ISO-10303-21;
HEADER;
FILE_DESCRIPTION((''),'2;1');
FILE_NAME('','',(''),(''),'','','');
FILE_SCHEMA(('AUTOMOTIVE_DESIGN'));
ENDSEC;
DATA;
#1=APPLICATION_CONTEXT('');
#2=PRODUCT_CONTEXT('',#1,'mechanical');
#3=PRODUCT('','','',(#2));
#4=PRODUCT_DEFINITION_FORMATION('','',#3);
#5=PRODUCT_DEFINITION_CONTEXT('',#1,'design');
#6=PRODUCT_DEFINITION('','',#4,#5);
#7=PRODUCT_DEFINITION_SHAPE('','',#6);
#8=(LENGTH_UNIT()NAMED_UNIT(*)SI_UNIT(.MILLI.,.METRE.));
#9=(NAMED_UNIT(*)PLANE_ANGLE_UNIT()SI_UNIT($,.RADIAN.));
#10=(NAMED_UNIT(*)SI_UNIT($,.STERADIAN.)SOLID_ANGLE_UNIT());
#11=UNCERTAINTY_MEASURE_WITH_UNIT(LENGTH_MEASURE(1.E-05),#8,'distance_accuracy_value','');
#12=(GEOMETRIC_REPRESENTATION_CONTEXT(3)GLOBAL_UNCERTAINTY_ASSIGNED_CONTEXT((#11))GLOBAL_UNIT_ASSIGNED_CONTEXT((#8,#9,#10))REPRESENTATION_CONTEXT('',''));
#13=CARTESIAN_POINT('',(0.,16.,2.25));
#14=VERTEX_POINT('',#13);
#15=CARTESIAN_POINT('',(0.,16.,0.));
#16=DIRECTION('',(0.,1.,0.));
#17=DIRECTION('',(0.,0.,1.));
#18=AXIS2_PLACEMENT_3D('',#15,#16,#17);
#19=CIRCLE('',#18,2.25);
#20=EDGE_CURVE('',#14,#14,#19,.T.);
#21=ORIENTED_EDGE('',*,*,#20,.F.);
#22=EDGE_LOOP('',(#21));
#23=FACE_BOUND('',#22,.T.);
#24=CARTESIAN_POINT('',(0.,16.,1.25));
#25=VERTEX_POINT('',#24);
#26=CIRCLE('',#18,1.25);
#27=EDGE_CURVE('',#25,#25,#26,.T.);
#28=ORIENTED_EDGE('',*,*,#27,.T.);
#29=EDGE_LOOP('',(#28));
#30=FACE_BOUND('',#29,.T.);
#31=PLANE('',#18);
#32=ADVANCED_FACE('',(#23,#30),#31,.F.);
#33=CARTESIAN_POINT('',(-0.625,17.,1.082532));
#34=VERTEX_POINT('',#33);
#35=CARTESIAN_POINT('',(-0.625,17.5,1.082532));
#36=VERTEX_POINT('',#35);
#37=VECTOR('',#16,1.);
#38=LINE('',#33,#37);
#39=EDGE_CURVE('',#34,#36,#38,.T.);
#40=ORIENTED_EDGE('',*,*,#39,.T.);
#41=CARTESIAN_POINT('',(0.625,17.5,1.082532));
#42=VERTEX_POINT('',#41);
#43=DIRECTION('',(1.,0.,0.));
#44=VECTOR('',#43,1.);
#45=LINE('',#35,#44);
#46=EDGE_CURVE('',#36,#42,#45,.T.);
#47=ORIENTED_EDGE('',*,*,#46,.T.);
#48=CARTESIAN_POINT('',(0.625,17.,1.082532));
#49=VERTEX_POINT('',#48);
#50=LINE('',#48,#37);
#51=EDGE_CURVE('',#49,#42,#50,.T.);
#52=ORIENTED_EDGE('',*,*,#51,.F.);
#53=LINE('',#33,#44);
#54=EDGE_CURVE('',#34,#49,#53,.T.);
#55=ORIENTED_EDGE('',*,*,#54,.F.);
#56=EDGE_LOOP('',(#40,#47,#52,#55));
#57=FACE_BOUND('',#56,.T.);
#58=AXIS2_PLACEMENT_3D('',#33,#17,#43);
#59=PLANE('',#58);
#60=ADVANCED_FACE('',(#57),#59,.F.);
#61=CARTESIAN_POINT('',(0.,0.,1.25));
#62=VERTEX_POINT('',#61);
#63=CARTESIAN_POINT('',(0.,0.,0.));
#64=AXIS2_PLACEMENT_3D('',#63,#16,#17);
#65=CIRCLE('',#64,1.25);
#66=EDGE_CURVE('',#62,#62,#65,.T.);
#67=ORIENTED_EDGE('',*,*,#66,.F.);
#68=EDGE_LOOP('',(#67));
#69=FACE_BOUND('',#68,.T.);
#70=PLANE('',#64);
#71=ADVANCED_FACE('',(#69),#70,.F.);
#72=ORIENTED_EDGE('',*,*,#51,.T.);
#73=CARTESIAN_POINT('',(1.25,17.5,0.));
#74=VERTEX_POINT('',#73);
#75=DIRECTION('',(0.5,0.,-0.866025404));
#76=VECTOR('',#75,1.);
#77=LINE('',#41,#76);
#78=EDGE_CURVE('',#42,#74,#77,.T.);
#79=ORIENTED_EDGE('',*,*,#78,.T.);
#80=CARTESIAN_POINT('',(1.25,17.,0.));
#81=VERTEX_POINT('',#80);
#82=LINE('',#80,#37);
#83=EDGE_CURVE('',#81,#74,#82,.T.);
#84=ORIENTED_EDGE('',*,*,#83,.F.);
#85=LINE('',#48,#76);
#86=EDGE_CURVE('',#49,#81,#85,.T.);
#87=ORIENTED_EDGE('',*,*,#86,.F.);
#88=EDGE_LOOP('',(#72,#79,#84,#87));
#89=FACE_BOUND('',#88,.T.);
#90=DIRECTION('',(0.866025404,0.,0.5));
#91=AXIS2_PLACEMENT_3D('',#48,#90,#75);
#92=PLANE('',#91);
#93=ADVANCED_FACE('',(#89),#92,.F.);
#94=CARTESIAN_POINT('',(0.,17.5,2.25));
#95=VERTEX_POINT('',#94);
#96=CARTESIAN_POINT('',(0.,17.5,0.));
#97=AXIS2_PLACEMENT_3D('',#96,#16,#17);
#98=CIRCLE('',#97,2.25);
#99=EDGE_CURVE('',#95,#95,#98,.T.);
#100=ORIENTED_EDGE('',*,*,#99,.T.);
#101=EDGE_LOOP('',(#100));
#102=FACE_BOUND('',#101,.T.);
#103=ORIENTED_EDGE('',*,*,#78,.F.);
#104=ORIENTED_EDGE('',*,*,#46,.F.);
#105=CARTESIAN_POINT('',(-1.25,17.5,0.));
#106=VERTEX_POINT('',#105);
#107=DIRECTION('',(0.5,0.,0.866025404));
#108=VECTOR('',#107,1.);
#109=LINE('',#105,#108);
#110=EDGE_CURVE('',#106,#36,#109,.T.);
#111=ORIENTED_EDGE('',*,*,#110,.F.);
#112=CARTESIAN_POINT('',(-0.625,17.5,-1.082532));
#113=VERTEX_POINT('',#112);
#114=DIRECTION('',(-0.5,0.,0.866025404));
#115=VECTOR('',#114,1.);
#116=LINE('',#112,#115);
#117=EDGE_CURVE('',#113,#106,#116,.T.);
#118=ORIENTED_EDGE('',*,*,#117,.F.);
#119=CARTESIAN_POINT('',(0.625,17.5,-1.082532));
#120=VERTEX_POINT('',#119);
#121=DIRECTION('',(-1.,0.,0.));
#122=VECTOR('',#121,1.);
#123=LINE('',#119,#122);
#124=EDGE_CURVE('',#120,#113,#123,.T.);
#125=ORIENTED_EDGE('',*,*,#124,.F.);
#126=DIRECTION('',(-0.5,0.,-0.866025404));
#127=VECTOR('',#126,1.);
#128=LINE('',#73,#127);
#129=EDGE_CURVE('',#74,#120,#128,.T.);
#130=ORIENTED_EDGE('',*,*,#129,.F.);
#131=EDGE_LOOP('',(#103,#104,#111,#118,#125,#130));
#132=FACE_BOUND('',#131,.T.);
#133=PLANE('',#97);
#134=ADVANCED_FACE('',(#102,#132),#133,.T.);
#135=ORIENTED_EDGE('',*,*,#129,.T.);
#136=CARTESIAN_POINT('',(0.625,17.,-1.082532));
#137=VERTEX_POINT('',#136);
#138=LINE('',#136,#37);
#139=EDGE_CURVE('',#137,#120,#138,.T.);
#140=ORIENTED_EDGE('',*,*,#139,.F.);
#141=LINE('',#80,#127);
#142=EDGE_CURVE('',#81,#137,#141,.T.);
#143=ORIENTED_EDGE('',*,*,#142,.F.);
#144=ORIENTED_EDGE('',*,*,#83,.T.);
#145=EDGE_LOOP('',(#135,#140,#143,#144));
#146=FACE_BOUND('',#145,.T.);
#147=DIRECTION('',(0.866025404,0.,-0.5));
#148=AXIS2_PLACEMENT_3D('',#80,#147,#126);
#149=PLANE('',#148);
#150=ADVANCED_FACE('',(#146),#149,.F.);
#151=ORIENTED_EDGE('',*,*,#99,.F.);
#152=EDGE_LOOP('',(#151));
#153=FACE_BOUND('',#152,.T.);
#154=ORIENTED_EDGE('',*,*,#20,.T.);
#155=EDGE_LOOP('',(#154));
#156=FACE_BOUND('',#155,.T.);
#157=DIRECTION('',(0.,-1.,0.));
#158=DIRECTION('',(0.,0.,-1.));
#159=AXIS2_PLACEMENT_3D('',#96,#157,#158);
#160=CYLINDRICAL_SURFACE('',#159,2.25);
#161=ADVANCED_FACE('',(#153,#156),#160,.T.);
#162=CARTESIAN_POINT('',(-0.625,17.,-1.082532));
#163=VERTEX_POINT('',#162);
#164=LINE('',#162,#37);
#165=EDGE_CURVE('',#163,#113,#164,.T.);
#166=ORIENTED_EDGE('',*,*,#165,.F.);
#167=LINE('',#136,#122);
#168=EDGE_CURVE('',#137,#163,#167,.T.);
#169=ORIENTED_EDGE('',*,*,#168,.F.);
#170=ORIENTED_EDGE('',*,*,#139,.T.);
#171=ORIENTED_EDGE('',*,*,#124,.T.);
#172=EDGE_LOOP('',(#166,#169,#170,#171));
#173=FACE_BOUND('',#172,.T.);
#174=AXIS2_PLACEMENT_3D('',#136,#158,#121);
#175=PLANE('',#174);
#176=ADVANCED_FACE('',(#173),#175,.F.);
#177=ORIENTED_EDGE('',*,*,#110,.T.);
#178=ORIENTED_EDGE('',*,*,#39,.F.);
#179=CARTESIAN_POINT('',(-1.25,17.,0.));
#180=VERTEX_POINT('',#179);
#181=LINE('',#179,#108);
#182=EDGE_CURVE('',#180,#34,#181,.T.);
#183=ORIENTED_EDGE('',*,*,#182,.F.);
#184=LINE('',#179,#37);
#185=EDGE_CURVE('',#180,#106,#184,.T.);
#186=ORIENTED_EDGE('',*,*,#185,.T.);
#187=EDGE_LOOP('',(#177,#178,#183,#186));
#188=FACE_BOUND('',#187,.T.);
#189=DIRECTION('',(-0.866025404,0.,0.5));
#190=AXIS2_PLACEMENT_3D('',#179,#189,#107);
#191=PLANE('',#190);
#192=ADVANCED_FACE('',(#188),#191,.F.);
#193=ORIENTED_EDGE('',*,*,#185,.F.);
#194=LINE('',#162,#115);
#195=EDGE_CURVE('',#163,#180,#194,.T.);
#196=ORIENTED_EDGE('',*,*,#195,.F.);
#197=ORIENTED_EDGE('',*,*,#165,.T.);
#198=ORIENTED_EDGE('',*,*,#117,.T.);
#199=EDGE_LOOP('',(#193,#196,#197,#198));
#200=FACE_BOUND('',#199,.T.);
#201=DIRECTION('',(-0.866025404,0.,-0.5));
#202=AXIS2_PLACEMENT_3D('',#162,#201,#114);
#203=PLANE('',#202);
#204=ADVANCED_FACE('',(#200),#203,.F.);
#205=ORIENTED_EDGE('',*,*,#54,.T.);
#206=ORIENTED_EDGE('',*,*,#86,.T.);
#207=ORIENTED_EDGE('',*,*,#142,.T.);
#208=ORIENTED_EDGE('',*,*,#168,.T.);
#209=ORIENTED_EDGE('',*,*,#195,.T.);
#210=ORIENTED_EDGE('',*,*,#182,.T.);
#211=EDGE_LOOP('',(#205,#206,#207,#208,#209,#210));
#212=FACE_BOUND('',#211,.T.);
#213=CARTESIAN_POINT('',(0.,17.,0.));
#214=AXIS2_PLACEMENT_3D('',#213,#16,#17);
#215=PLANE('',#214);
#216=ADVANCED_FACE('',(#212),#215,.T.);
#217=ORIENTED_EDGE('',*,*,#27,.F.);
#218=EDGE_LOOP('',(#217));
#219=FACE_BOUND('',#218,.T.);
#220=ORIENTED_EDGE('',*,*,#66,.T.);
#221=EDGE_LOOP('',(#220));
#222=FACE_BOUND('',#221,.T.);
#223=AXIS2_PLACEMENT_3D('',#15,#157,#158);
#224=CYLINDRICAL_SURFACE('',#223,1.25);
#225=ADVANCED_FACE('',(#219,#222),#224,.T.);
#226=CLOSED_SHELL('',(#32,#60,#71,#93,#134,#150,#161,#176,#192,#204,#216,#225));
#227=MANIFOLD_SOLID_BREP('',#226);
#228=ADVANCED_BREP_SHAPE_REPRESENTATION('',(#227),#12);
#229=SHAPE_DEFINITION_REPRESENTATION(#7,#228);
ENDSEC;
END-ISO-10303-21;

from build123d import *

# Parameters (mm, degrees)
SKETCH1_R           = 1.25
BOSS_EXTRUDE1_DEPTH = 16
SKETCH4_R           = 2.25
BOSS_EXTRUDE2_DEPTH = 1.5
CUT_EXTRUDE1_DEPTH  = 0.5


with BuildPart() as part:
    # Sketch1 → Boss-Extrude1 (new body)
    with BuildSketch(Plane(origin=(0, 0, 0), x_dir=(1, 0, 0), z_dir=(0, 1, 0))):
        Circle(SKETCH1_R)
    extrude(amount=BOSS_EXTRUDE1_DEPTH)

    # Sketch4 → Boss-Extrude2 (add)
    with BuildSketch(Plane(origin=(0, 16, 0), x_dir=(1, 0, 0), z_dir=(0, 1, 0))):
        Circle(SKETCH4_R)
    extrude(amount=BOSS_EXTRUDE2_DEPTH)

    # Sketch5 → Cut-Extrude1 (cut)
    with BuildSketch(Plane(origin=(0, 17.5, 0), x_dir=(1, 0, 0), z_dir=(0, 1, 0))):
        Polygon((1.25, 0), (0.625, 1.082531755), (-0.625, 1.082531755), (-1.25, 0), (-0.625, -1.082531755), (0.625, -1.082531755), align=None)
    extrude(amount=-CUT_EXTRUDE1_DEPTH, mode=Mode.SUBTRACT)


solid = part.part
